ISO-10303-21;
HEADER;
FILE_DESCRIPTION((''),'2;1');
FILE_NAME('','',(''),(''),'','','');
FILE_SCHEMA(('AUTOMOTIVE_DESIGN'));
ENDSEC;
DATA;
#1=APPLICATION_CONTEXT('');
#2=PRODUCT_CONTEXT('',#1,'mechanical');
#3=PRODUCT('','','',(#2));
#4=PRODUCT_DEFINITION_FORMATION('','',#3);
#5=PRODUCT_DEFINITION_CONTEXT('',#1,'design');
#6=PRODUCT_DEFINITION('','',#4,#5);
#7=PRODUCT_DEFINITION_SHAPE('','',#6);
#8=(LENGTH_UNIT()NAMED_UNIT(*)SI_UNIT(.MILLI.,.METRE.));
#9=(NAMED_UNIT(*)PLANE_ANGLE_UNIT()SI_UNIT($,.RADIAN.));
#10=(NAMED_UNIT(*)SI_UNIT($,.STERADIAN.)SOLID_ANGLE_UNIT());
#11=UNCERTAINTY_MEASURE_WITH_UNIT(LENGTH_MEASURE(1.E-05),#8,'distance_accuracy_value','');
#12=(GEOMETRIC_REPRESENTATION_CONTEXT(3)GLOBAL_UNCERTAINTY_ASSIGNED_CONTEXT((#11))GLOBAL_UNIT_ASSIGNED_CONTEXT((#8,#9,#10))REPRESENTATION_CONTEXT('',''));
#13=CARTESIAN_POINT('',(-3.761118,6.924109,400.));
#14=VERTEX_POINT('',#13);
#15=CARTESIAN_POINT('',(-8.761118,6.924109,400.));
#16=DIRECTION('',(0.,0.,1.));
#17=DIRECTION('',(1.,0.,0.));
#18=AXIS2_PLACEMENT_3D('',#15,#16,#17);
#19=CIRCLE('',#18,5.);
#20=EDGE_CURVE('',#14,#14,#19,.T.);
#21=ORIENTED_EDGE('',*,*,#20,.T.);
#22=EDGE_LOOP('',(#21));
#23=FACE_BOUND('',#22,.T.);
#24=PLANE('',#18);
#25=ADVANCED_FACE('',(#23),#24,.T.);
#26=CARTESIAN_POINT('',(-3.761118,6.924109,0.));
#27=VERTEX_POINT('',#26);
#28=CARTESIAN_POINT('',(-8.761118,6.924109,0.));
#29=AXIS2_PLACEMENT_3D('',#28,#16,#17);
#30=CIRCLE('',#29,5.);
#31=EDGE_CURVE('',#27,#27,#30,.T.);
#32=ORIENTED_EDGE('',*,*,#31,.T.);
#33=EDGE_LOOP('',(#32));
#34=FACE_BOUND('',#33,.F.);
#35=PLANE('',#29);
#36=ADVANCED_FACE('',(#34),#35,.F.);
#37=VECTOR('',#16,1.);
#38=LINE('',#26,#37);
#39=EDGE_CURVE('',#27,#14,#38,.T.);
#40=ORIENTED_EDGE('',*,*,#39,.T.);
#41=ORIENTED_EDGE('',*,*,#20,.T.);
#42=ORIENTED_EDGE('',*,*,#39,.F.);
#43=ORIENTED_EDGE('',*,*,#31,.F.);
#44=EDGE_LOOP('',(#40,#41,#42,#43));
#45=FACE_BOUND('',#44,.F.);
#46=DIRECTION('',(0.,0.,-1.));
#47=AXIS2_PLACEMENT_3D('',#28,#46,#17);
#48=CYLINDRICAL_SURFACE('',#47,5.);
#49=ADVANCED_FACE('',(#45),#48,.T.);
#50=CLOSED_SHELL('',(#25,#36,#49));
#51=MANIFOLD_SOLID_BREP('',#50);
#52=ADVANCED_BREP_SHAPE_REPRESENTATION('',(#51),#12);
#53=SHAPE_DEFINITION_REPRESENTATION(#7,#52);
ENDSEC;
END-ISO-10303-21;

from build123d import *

# Parameters (mm, degrees)
SKETCH1_R           = 5
BOSS_EXTRUDE1_DEPTH = 400


with BuildPart() as part:
    # Sketch1 → Boss-Extrude1 (new body)
    with BuildSketch(Plane.XY):
        with Locations((-8.761117994, 6.924109382)):
            Circle(SKETCH1_R)
    extrude(amount=BOSS_EXTRUDE1_DEPTH)


solid = part.part
